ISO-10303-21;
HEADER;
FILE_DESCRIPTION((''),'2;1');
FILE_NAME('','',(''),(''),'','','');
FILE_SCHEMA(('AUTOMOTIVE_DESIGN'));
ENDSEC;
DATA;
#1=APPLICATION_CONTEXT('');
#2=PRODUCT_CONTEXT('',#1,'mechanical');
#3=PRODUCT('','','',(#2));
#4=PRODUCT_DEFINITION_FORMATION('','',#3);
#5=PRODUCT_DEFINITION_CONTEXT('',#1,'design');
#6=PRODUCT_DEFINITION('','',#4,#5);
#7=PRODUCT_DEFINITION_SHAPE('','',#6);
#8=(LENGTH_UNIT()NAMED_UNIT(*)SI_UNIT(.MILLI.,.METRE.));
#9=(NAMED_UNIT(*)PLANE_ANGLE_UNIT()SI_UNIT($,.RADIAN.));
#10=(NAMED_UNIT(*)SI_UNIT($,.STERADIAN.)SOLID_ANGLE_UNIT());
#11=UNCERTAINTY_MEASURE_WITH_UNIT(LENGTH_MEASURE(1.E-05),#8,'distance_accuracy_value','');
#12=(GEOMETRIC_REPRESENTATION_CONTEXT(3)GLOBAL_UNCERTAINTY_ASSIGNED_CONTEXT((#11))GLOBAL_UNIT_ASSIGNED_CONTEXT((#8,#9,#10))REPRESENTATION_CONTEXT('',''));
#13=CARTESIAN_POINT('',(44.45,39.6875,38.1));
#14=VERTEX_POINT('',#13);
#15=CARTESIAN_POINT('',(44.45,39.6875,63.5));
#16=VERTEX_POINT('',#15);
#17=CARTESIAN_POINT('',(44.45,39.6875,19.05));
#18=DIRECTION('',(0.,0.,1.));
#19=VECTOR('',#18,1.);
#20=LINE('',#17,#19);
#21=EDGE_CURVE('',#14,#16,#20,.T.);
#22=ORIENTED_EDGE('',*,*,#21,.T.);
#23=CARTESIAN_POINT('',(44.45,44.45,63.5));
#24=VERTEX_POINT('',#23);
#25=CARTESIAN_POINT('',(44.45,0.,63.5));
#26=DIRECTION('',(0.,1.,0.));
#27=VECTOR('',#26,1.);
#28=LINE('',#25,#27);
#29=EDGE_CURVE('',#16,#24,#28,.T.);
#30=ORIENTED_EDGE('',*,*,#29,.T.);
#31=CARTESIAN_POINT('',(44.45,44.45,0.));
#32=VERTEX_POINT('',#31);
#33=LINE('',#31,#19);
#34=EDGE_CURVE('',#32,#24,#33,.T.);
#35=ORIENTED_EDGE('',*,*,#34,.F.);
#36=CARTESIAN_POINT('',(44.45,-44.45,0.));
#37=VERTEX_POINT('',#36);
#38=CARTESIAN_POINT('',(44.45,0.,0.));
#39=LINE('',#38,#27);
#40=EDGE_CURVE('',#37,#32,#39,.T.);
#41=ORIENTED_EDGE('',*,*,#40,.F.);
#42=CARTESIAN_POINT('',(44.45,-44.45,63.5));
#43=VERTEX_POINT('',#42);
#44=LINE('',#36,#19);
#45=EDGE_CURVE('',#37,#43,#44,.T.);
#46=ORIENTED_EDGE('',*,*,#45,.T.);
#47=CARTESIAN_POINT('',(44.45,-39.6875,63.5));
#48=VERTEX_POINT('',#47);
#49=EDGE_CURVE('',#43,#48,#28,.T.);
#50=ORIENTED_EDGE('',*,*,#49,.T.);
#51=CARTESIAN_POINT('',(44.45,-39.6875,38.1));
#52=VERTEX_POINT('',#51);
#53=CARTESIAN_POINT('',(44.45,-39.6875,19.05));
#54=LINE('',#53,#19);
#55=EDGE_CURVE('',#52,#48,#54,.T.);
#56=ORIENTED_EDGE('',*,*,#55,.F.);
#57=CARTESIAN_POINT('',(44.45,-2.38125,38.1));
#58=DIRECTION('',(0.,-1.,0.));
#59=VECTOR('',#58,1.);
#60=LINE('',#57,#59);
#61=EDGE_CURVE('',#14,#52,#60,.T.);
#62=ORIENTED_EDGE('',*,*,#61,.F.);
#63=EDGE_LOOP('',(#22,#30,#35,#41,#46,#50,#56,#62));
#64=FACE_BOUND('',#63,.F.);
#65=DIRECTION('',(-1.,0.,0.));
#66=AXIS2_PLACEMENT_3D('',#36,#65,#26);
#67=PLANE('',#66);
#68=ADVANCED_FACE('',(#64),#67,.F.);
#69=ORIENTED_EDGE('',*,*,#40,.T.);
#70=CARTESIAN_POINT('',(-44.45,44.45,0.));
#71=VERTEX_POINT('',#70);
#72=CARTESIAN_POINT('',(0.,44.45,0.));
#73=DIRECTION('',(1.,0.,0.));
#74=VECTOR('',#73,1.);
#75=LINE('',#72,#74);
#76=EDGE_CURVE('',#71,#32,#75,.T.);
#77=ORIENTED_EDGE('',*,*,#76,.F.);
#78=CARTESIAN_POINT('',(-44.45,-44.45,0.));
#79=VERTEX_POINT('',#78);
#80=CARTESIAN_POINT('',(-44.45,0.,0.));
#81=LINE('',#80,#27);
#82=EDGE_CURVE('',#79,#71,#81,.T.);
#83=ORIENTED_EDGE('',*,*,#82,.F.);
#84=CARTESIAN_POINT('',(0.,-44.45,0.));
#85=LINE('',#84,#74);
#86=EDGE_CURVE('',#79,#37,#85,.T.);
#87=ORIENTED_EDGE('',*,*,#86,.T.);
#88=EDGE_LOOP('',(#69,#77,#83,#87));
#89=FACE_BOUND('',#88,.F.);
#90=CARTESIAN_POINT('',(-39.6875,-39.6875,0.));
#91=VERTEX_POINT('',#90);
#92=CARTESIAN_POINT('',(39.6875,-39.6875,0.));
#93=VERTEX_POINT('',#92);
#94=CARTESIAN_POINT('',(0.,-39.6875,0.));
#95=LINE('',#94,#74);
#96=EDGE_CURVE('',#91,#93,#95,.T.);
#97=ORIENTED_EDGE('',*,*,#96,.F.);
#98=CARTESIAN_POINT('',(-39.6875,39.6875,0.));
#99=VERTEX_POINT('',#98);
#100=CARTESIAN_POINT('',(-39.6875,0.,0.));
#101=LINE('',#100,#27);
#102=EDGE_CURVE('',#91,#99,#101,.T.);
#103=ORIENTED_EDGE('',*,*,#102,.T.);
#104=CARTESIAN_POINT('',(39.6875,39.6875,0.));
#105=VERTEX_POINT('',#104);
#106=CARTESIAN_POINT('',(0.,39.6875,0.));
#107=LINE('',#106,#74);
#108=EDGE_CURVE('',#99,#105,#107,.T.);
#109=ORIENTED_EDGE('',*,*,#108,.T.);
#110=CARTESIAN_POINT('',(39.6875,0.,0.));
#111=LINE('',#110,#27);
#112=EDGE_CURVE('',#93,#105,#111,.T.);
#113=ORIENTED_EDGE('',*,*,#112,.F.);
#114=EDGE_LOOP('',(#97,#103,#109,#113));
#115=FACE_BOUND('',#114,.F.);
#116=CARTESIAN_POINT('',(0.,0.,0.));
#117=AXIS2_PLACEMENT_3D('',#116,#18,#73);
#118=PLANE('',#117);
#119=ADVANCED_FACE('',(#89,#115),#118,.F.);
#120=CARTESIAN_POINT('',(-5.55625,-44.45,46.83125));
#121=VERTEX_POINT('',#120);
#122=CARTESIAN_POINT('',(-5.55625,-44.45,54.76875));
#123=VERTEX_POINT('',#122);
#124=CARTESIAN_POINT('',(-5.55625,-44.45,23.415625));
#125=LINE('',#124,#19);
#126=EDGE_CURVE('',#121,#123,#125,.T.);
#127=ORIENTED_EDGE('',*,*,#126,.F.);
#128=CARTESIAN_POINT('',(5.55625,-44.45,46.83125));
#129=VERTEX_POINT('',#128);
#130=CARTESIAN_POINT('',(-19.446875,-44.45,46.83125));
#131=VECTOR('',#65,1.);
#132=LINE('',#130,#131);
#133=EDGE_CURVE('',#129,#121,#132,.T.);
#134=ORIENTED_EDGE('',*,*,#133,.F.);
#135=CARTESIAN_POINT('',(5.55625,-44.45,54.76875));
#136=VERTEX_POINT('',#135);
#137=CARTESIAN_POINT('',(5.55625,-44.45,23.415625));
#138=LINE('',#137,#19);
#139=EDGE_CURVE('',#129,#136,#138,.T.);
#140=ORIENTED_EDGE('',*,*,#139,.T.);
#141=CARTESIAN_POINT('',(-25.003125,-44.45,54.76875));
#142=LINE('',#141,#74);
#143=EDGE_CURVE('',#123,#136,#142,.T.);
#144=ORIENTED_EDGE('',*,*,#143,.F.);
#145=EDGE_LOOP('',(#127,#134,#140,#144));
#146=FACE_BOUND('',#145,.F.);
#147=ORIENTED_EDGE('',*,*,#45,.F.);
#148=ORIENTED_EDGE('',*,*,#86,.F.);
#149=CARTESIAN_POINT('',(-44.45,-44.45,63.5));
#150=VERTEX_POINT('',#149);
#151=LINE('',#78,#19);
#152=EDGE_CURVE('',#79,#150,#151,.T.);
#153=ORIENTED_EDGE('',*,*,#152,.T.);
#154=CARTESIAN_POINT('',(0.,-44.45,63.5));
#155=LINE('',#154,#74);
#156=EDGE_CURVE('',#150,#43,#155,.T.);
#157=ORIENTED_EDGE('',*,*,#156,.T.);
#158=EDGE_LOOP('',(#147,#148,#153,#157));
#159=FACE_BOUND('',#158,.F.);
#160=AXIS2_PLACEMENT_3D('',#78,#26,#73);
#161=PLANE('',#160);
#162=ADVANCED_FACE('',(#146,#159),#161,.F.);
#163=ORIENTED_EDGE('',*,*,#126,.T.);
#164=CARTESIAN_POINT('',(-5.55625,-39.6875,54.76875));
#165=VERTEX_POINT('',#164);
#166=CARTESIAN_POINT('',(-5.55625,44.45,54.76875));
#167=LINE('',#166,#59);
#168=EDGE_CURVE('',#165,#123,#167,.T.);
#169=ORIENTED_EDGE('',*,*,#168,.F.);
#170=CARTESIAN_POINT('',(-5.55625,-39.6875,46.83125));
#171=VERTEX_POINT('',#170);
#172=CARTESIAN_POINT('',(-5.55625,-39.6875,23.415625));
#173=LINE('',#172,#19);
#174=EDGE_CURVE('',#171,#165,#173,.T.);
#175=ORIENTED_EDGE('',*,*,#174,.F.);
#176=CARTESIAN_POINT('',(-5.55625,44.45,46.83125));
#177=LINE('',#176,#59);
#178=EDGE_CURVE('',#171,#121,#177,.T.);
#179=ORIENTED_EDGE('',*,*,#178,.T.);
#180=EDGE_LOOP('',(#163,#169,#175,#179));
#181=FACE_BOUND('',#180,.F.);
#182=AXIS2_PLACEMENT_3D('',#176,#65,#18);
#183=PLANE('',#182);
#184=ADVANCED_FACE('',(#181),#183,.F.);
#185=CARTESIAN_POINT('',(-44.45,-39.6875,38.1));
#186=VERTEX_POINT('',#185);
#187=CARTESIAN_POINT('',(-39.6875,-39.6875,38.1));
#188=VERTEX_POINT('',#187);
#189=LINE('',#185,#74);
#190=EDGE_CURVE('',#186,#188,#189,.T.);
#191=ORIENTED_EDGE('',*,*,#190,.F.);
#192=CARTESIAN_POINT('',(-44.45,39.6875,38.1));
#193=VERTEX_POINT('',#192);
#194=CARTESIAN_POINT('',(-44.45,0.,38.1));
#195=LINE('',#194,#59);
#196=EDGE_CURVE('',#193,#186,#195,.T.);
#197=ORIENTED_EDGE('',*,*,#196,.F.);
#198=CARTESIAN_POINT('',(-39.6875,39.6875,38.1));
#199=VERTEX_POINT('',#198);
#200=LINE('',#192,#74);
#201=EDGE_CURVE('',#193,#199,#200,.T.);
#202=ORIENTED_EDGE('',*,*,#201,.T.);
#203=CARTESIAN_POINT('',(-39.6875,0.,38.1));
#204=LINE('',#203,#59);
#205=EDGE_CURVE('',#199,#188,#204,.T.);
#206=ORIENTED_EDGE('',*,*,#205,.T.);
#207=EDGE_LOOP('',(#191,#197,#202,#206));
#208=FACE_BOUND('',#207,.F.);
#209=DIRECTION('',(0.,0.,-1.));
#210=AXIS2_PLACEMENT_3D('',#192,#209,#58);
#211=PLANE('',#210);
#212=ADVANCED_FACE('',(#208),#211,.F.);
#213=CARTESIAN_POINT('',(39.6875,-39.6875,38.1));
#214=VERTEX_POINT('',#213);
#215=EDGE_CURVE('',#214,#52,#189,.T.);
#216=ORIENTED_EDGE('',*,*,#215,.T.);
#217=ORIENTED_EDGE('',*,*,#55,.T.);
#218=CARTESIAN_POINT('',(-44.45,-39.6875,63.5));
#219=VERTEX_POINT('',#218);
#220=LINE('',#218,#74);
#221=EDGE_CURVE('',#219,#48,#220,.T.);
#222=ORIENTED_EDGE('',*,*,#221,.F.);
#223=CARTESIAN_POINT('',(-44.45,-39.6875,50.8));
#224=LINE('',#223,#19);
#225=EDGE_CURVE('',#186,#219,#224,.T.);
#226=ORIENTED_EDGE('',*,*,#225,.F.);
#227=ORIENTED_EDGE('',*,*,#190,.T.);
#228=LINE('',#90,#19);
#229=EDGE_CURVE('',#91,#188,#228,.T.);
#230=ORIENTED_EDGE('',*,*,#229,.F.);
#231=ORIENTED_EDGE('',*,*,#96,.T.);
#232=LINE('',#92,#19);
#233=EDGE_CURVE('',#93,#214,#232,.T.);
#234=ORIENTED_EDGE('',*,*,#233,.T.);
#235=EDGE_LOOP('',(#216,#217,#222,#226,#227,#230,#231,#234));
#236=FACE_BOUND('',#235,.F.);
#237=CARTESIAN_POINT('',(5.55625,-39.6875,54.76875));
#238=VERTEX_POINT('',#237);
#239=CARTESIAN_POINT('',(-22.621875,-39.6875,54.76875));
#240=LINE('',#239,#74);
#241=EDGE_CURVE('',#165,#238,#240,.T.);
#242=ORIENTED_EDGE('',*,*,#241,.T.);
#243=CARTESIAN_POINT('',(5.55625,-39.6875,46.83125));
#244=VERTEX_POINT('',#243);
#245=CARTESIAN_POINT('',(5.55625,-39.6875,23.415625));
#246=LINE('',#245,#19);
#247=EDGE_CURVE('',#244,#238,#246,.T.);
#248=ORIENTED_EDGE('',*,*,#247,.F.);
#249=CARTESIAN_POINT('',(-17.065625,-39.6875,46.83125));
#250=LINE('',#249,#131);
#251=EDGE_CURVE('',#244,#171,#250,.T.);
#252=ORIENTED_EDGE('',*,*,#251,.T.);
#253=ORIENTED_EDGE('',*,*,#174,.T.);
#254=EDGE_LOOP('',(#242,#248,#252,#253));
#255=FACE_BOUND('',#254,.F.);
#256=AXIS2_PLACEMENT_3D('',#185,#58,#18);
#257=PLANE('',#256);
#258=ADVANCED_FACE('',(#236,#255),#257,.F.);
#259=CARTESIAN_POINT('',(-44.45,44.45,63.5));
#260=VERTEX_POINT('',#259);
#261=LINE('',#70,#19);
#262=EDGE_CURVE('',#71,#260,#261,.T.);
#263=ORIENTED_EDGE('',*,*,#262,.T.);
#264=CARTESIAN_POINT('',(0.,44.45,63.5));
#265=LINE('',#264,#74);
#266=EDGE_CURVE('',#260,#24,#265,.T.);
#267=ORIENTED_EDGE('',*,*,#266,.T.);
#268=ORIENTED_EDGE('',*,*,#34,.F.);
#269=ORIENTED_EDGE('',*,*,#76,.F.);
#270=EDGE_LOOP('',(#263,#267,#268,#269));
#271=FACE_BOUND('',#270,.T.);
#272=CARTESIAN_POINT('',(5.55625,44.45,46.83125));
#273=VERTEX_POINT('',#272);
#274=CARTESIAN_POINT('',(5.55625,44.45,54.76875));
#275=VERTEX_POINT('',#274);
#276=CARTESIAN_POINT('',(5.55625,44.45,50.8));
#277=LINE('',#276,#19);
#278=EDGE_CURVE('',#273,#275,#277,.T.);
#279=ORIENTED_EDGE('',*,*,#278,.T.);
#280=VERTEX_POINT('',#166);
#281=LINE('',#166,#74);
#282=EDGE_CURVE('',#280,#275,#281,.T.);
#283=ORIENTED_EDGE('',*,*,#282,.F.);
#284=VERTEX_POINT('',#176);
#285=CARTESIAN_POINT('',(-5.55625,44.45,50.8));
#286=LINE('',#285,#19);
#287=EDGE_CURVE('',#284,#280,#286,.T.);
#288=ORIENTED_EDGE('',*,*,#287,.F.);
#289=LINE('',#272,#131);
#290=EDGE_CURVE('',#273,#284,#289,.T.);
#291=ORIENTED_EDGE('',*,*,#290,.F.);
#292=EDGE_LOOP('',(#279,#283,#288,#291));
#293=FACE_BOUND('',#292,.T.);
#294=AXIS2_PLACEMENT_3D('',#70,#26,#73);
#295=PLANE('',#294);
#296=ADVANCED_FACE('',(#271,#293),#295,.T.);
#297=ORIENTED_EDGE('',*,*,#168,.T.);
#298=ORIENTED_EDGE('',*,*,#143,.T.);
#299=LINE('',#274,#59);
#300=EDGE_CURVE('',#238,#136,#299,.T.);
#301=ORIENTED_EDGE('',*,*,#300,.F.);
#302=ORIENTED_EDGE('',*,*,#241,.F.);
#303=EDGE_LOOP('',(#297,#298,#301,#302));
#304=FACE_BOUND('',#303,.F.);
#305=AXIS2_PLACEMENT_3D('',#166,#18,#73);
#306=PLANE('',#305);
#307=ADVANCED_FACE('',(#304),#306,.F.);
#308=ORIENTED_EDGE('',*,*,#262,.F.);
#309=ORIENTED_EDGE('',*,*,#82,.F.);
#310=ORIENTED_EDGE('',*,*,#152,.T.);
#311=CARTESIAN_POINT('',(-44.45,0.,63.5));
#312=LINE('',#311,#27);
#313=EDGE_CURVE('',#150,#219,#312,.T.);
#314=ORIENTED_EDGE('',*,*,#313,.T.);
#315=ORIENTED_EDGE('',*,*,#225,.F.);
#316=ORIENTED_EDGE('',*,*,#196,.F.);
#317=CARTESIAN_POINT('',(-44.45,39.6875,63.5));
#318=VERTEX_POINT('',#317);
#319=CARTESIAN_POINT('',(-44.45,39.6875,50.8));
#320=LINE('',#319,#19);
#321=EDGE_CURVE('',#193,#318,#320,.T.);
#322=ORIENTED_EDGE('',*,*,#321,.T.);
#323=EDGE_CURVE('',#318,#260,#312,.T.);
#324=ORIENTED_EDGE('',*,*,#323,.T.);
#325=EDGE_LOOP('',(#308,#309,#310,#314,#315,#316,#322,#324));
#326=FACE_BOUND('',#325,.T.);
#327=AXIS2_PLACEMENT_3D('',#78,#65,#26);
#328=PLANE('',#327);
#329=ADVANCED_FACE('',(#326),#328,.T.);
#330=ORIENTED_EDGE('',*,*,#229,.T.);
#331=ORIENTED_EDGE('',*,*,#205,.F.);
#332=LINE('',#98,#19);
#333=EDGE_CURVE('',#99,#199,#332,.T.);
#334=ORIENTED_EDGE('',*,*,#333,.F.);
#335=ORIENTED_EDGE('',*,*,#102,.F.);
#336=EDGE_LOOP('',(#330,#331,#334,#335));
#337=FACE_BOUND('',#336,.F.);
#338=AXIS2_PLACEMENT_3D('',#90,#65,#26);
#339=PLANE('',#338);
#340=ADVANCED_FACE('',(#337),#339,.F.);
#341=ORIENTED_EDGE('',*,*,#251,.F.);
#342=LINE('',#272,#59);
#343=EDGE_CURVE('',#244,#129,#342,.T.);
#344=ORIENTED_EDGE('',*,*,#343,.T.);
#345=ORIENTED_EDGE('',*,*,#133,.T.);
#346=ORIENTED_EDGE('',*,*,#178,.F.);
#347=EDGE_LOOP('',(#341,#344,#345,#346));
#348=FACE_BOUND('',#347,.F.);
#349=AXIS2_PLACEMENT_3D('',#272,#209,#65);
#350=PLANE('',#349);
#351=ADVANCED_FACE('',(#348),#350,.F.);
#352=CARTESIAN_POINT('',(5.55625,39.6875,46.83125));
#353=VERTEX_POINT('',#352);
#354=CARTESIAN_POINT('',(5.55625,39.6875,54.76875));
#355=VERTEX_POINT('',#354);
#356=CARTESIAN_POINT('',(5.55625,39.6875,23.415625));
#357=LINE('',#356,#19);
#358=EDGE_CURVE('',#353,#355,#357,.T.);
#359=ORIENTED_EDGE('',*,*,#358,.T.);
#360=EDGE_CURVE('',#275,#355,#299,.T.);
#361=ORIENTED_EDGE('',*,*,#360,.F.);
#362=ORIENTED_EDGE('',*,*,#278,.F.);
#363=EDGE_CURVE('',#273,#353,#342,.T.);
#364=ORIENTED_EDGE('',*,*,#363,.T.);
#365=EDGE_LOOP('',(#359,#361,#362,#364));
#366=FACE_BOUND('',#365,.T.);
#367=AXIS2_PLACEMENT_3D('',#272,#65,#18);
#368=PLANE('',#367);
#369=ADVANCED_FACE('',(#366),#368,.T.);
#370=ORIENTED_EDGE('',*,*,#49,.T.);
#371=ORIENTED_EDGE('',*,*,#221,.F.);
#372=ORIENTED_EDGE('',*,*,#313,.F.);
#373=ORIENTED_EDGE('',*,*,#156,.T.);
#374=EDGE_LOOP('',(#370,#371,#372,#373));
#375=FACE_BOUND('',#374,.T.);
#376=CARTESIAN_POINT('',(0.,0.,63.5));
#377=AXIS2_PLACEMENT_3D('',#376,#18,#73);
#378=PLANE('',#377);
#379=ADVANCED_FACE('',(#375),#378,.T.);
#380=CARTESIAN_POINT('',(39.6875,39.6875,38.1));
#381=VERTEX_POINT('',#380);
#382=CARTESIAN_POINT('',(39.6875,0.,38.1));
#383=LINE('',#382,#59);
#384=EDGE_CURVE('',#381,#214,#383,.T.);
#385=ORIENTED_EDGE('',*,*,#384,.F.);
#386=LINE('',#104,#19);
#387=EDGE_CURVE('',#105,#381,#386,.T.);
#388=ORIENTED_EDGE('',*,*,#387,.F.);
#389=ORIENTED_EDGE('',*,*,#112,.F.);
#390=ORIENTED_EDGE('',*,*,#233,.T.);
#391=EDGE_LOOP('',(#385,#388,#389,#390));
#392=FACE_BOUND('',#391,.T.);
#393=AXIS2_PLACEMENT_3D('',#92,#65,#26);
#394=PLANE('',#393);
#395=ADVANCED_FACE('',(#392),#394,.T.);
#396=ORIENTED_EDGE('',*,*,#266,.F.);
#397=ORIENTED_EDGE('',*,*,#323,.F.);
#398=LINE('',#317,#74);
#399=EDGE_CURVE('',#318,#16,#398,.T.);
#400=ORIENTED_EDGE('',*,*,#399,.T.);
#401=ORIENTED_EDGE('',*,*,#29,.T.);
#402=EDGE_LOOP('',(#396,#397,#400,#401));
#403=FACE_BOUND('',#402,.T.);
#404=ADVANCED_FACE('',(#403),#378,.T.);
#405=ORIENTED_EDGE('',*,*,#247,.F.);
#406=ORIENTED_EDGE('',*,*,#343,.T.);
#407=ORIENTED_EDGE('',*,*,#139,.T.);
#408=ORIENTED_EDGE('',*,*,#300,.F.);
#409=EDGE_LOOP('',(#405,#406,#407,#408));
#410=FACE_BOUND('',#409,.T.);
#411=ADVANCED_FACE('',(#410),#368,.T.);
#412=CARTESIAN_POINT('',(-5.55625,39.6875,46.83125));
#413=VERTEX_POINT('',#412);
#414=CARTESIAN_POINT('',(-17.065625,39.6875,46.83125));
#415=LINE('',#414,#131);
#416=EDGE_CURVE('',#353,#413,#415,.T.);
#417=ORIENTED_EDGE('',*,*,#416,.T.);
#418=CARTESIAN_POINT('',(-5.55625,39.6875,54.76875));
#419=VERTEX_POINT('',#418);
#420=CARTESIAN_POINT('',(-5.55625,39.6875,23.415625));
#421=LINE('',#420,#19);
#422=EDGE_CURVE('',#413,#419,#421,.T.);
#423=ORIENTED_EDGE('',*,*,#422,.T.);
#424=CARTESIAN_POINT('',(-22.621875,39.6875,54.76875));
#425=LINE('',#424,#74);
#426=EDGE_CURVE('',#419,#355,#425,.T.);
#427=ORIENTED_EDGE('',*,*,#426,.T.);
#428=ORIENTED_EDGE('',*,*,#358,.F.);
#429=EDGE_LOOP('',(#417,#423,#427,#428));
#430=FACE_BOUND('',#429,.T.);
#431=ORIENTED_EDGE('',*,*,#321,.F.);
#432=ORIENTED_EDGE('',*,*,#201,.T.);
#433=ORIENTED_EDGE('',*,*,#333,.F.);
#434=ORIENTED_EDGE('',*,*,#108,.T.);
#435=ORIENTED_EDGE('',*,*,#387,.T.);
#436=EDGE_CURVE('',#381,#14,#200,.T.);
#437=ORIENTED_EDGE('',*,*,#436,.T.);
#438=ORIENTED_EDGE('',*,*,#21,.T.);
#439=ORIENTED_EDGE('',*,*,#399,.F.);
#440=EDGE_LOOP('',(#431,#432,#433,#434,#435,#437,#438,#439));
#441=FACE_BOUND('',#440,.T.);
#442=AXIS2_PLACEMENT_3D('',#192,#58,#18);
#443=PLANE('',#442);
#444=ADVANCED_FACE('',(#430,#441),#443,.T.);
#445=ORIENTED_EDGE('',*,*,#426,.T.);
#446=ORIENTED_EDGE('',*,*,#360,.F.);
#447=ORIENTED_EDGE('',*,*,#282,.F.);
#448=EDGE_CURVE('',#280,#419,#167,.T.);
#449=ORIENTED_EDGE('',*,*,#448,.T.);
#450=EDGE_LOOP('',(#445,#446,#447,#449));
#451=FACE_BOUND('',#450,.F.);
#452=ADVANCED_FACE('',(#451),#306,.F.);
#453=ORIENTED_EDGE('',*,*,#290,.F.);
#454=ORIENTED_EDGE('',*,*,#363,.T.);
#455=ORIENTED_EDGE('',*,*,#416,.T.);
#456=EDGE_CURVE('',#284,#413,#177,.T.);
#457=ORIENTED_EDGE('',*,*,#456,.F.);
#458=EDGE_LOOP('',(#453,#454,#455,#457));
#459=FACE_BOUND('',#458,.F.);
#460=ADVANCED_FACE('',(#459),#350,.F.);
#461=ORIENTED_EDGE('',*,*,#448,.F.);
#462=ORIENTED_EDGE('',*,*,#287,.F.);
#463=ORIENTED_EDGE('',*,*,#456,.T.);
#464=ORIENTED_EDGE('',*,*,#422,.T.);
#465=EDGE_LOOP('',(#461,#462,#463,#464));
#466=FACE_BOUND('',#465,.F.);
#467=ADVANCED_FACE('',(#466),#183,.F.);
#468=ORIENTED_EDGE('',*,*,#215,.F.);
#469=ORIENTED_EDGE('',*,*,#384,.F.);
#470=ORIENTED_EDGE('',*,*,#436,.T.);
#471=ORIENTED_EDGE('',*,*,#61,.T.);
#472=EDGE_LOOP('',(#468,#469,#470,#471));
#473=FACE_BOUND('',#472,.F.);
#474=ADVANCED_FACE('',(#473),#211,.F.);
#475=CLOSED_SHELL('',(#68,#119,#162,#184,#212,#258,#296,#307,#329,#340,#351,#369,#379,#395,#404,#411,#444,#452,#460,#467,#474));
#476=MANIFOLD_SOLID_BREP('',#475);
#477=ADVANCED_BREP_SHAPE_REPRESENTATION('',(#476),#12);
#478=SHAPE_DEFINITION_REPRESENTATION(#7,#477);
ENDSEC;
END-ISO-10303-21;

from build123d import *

# Parameters (mm, degrees)
F0_W     = 88.9
F0_H     = 88.9
F0_W_2   = 79.375
F0_H_2   = 79.375
F1_DEPTH = 63.5
F3_W     = 5.55625
F3_H     = 7.9375
F4_DEPTH = 88.901
F2_W     = 79.375
F2_H     = 25.4
F5_DEPTH = 88.901


with BuildPart() as f1:
    # F0 (on Top) → F1 (new body)
    with BuildSketch(Plane.XY):
        Rectangle(F0_W, F0_H)
        Rectangle(F0_W_2, F0_H_2, mode=Mode.SUBTRACT)
    extrude(amount=F1_DEPTH)

    # F3 (on face) → F4 (cut, through all)
    with BuildSketch(Plane(origin=(0, 44.45, 0), x_dir=(-1, 0, 0), z_dir=(0, 1, 0))):
        with Locations((2.778125, 50.8)):
            Rectangle(F3_W, F3_H)
        with Locations((-2.778125, 50.8)):
            Rectangle(F3_W, F3_H)
    extrude(amount=-F4_DEPTH, mode=Mode.SUBTRACT)

    # F2 (on face) → F5 (cut, through all)
    with BuildSketch(Plane(origin=(-44.45, 0, 0), x_dir=(0, -1, 0), z_dir=(-1, 0, 0))):
        with Locations((0, 50.8)):
            Rectangle(F2_W, F2_H)
    extrude(amount=-F5_DEPTH, mode=Mode.SUBTRACT)


solid = f1.part
